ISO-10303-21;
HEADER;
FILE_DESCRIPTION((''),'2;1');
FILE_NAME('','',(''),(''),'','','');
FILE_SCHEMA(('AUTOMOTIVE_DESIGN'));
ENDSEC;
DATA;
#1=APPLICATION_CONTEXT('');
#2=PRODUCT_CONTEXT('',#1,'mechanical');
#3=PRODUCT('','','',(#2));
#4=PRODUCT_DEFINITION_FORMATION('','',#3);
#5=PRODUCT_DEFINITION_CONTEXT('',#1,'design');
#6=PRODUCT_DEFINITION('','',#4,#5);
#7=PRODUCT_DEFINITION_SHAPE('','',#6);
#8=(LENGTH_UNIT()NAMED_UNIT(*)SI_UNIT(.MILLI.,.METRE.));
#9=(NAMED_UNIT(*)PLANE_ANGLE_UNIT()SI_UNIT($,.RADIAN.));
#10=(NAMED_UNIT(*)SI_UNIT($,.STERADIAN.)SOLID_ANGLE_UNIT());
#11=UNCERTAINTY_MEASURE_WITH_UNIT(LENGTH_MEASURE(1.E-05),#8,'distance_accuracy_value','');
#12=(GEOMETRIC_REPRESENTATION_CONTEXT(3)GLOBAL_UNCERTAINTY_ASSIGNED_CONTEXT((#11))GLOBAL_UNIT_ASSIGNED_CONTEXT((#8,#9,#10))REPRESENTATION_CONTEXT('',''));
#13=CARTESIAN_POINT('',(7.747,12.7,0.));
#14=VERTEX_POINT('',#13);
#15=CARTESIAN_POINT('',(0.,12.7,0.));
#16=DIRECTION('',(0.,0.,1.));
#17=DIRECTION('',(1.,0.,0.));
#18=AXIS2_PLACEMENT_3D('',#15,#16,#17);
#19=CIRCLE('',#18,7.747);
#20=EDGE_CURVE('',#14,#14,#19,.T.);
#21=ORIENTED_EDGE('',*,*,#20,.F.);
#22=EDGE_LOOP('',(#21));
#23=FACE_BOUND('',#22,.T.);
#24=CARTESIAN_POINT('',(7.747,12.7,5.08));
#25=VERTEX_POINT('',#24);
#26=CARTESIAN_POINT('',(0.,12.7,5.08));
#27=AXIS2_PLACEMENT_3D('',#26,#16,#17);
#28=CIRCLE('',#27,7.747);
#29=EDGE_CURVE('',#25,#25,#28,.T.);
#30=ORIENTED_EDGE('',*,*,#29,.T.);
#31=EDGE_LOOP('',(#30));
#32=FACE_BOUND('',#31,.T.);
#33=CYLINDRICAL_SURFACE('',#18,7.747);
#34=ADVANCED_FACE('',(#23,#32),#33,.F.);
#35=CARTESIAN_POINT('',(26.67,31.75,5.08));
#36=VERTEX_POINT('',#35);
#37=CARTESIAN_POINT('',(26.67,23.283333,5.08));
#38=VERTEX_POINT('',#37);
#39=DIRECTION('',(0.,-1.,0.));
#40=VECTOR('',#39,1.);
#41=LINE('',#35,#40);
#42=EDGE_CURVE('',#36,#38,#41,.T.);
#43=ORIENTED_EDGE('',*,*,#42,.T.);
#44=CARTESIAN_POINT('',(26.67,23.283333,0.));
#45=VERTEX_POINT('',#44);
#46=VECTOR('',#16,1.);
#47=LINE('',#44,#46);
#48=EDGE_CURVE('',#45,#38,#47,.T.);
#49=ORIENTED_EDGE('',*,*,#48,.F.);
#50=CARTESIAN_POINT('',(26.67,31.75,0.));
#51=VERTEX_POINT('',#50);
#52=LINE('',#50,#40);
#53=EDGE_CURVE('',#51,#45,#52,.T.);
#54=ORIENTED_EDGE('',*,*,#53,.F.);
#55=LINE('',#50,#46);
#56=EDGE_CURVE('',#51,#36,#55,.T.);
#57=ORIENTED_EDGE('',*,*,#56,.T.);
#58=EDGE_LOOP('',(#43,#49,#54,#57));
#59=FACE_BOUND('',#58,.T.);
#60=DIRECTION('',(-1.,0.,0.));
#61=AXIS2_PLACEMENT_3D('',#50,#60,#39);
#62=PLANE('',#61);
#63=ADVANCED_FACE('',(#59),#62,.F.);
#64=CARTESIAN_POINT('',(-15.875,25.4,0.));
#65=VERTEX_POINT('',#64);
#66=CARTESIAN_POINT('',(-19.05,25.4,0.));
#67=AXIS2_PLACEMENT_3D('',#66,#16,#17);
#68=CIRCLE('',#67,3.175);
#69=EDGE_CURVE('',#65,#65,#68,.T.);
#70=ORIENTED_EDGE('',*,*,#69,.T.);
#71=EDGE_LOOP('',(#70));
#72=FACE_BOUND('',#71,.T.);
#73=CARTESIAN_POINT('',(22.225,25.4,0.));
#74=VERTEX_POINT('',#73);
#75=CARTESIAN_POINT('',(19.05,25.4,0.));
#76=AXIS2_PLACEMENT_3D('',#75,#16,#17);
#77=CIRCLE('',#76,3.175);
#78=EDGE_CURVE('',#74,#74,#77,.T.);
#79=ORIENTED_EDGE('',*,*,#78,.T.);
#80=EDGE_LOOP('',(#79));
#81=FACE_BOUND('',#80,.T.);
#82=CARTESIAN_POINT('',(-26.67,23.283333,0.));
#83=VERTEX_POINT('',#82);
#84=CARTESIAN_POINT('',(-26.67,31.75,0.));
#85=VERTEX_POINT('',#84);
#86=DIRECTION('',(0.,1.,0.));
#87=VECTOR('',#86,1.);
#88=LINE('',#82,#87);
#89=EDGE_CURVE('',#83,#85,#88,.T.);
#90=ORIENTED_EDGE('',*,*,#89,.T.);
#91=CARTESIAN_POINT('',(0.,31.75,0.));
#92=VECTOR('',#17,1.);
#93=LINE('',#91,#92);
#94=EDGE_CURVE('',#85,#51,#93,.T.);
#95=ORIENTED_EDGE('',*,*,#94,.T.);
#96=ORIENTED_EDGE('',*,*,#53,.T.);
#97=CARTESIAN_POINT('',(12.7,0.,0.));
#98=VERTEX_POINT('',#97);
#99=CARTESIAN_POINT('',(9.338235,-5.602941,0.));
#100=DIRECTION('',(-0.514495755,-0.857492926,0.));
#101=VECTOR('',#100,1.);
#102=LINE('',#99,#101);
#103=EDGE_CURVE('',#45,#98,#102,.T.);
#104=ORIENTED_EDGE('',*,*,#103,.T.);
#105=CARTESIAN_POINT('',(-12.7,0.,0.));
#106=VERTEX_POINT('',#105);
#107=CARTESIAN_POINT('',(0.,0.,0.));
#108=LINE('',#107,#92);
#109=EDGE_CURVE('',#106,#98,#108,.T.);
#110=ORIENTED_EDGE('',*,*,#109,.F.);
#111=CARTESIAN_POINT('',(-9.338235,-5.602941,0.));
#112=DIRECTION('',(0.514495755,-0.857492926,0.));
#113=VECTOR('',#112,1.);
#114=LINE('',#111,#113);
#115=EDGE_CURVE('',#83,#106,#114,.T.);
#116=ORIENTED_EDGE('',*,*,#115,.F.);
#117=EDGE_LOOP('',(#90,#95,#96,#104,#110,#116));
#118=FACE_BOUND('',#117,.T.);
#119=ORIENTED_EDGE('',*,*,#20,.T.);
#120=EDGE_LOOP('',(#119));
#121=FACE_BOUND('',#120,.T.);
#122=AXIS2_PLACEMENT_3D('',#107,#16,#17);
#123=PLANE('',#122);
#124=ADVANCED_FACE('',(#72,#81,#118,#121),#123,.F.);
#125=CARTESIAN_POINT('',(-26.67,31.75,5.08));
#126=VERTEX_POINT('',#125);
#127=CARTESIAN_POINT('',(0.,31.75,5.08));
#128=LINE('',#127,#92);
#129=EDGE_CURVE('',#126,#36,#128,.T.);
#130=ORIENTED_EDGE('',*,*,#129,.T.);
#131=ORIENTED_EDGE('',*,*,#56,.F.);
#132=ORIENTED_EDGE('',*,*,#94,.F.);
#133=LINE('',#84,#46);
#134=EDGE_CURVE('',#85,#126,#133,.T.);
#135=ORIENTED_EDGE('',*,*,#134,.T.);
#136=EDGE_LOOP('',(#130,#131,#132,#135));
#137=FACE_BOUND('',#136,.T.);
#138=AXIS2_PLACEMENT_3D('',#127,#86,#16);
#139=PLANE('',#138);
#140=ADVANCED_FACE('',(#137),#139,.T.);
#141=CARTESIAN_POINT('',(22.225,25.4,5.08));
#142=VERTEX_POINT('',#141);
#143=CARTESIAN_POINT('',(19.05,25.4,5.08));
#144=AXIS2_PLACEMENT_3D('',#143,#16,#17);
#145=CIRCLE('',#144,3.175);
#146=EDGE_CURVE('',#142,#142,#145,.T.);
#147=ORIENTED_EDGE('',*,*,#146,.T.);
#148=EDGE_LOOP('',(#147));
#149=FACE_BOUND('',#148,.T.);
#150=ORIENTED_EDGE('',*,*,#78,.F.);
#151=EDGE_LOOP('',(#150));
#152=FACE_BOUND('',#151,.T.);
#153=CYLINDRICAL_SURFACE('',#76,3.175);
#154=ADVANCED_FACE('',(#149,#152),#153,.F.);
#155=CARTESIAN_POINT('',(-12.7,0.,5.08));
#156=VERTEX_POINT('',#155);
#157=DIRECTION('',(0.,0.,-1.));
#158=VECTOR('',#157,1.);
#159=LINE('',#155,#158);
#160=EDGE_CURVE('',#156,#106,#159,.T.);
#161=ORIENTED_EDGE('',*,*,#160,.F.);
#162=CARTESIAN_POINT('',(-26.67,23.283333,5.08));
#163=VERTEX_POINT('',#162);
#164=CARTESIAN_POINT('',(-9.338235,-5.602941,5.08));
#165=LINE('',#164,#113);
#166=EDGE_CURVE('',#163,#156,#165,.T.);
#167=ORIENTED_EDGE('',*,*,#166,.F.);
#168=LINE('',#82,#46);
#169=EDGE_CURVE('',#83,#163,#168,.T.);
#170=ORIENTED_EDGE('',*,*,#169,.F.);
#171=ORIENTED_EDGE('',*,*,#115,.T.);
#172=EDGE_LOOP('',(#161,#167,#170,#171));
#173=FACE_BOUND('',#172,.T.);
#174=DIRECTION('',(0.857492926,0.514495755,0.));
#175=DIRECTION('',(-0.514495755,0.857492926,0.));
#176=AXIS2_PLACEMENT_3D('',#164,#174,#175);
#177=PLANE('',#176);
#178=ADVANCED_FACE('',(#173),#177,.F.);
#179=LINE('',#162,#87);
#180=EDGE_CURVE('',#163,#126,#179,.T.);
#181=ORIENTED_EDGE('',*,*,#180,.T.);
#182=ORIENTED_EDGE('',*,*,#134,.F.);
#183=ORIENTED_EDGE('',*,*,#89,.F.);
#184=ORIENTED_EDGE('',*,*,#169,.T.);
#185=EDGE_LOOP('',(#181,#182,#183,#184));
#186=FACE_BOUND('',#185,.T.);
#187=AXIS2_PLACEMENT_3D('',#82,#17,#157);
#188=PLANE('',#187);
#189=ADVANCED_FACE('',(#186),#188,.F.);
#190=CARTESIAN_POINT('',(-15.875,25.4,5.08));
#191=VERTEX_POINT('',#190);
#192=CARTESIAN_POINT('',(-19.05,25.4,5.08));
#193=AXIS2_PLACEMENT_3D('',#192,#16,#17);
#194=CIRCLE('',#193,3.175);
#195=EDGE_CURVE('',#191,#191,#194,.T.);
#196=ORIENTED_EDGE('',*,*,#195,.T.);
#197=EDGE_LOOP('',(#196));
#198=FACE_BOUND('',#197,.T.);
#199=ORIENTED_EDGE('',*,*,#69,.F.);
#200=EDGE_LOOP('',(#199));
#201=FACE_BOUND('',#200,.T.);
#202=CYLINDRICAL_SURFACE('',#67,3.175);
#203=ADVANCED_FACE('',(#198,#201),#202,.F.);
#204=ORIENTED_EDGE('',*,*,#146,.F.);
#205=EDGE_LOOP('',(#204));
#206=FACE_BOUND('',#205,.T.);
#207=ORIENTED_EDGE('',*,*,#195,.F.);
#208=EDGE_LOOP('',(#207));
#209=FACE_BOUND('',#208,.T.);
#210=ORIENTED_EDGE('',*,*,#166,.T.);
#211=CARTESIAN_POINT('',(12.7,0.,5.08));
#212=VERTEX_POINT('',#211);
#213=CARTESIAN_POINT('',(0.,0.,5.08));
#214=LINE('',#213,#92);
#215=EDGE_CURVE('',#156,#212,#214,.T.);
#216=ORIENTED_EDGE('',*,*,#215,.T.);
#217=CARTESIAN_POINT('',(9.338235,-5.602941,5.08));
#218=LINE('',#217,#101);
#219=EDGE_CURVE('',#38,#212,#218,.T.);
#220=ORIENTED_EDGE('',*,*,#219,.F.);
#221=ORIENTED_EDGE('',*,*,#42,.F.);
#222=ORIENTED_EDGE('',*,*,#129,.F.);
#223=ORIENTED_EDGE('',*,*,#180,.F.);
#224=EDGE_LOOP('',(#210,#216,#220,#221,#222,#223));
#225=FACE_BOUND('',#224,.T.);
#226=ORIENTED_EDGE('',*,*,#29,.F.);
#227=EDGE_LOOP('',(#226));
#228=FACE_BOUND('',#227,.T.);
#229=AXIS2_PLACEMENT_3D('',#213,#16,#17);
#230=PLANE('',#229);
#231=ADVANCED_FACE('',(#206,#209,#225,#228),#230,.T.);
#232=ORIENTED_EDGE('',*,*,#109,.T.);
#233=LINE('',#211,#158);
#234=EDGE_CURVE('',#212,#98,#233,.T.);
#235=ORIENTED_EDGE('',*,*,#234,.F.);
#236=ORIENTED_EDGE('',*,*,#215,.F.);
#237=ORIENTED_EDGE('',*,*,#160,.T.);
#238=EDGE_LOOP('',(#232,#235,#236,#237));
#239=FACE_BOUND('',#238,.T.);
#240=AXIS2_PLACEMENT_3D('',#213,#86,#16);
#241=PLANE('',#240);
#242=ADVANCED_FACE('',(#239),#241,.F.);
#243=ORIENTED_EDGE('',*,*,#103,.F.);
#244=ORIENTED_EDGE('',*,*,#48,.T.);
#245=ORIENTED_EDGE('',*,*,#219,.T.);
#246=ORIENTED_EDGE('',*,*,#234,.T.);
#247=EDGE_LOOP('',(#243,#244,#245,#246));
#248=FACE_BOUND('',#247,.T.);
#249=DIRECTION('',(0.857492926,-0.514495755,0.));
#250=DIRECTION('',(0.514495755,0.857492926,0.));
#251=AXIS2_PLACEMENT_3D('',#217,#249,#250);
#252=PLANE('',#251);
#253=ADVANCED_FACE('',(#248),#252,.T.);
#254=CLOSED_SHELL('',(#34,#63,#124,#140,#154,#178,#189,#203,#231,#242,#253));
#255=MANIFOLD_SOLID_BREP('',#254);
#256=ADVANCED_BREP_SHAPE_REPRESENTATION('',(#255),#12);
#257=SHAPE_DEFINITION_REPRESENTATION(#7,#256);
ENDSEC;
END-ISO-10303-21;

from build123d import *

# Parameters (mm, degrees)
BOSS_EXTRUDE1_DEPTH = 5.08
SKETCH3_R           = 7.747
SKETCH3_R_2         = 3.175
CUT_EXTRUDE2_DEPTH  = 5.08


with BuildPart() as part:
    # Sketch1 → Boss-Extrude1 (new body)
    with BuildSketch(Plane.XY):
        Polygon((-31.75, 31.75), (31.75, 31.75), (12.7, 0), (-12.7, 0), align=None)
    extrude(amount=BOSS_EXTRUDE1_DEPTH)

    # Sketch3 → Cut-Extrude2 (cut)
    with BuildSketch(Plane.XY.offset(5.08)):
        with Locations((0, 12.7)):
            Circle(SKETCH3_R)
        with Locations((-19.05, 25.4)):
            Circle(SKETCH3_R_2)
        with Locations((19.05, 25.4)):
            Circle(SKETCH3_R_2)
        Polygon((-26.67, 23.283333333), (-26.67, 31.75), (-31.75, 31.75), align=None)
        Polygon((26.67, 31.75), (26.67, 23.283333333), (31.75, 31.75), align=None)
    extrude(amount=-CUT_EXTRUDE2_DEPTH, mode=Mode.SUBTRACT)


solid = part.part
